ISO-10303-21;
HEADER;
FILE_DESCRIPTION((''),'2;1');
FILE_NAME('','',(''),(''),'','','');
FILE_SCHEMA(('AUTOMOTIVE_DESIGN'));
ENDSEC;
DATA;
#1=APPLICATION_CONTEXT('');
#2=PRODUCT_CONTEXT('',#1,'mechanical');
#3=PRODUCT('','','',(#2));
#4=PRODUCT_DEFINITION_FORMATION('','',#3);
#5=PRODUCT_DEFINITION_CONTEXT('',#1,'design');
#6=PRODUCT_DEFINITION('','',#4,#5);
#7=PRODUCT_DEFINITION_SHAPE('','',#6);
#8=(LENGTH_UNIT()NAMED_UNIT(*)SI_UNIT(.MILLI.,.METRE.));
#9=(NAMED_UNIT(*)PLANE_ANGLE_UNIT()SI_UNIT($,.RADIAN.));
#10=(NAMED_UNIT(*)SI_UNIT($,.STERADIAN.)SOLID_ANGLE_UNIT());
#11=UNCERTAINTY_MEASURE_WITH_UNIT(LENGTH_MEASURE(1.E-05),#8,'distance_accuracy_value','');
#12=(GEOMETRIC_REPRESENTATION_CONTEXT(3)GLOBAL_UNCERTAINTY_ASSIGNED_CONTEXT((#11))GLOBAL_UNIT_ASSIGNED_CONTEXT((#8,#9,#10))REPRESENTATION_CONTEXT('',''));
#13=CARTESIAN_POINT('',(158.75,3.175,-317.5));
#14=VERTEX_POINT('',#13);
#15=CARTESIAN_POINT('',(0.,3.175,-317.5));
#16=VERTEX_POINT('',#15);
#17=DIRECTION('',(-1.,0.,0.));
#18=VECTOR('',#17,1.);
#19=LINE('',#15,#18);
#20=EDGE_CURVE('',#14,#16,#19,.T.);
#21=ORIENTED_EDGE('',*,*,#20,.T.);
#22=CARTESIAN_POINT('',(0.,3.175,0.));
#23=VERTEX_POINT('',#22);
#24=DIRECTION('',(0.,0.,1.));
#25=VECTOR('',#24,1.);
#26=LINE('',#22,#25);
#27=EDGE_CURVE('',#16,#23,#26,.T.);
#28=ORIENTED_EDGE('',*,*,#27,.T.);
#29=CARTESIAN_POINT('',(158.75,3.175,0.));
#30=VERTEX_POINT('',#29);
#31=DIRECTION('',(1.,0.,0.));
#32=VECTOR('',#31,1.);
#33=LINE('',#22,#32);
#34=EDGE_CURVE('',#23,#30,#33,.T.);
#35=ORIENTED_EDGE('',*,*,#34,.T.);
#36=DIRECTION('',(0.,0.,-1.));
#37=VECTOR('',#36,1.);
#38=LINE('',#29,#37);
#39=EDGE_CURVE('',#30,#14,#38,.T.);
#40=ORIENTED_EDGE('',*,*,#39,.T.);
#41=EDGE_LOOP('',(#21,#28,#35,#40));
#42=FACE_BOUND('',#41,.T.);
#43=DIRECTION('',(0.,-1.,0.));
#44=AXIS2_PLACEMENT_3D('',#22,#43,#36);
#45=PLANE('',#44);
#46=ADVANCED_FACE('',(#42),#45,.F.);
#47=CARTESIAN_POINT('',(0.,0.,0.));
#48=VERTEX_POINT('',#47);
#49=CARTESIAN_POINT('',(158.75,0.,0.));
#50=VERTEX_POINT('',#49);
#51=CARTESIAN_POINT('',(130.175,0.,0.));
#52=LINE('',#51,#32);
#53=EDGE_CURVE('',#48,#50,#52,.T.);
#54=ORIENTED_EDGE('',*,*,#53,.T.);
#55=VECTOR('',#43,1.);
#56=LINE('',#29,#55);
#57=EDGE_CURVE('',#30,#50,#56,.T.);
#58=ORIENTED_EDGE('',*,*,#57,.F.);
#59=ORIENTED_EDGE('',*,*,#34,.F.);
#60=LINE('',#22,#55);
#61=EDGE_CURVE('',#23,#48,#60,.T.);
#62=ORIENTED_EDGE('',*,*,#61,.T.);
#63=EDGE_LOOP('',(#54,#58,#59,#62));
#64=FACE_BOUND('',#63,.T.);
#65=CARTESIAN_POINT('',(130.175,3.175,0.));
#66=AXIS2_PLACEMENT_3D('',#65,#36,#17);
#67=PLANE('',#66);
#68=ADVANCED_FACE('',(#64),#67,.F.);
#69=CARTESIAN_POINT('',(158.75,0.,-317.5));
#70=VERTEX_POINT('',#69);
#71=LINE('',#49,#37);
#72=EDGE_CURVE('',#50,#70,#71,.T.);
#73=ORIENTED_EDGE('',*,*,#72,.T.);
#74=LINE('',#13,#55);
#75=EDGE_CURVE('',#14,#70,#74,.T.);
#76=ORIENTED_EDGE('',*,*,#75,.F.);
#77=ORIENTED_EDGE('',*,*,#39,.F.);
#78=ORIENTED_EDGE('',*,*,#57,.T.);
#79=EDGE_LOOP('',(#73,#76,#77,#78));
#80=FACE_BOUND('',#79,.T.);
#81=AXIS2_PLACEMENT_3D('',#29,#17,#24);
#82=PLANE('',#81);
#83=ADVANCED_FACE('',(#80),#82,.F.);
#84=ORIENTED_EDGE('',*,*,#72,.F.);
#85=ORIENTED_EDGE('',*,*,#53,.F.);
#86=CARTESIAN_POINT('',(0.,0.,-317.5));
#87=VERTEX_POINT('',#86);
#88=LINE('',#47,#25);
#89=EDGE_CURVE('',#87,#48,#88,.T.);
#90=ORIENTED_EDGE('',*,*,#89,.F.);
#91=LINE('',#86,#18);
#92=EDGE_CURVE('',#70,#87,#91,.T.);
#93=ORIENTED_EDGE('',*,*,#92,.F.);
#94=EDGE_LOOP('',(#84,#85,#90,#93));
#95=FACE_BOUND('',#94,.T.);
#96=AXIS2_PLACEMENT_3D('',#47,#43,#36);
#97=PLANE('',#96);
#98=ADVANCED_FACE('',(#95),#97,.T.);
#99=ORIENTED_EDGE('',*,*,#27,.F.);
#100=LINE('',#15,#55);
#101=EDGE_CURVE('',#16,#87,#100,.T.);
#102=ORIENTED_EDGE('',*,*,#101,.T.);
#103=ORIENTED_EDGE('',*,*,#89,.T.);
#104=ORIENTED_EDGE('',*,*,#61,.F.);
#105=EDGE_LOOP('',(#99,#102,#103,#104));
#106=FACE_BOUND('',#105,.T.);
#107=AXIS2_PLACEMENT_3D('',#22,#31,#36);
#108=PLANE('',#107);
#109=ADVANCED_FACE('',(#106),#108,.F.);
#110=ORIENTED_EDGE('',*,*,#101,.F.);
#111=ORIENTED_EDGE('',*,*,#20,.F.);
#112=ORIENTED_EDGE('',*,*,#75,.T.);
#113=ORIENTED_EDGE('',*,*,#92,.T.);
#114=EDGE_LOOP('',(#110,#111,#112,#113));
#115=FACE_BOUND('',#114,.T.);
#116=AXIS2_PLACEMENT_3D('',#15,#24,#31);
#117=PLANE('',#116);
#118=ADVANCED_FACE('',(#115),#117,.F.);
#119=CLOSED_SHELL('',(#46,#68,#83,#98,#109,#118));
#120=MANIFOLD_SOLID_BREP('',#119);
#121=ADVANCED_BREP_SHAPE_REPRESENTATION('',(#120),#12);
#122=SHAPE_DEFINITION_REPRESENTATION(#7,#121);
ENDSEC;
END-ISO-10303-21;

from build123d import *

# Parameters (mm, degrees)
BOSS_EXTRUDE1_DEPTH = 3.175


with BuildPart() as part:
    # Sketch1 → Boss-Extrude1 (new body)
    with BuildSketch(Plane(origin=(0, 0, 0), x_dir=(1, 0, 0), z_dir=(0, 1, 0))):
        Polygon((130.175, 0), (158.75, 0), (158.75, 317.5), (0, 317.5), (0, 0), (28.575, 0), align=None)
    extrude(amount=BOSS_EXTRUDE1_DEPTH)


solid = part.part
